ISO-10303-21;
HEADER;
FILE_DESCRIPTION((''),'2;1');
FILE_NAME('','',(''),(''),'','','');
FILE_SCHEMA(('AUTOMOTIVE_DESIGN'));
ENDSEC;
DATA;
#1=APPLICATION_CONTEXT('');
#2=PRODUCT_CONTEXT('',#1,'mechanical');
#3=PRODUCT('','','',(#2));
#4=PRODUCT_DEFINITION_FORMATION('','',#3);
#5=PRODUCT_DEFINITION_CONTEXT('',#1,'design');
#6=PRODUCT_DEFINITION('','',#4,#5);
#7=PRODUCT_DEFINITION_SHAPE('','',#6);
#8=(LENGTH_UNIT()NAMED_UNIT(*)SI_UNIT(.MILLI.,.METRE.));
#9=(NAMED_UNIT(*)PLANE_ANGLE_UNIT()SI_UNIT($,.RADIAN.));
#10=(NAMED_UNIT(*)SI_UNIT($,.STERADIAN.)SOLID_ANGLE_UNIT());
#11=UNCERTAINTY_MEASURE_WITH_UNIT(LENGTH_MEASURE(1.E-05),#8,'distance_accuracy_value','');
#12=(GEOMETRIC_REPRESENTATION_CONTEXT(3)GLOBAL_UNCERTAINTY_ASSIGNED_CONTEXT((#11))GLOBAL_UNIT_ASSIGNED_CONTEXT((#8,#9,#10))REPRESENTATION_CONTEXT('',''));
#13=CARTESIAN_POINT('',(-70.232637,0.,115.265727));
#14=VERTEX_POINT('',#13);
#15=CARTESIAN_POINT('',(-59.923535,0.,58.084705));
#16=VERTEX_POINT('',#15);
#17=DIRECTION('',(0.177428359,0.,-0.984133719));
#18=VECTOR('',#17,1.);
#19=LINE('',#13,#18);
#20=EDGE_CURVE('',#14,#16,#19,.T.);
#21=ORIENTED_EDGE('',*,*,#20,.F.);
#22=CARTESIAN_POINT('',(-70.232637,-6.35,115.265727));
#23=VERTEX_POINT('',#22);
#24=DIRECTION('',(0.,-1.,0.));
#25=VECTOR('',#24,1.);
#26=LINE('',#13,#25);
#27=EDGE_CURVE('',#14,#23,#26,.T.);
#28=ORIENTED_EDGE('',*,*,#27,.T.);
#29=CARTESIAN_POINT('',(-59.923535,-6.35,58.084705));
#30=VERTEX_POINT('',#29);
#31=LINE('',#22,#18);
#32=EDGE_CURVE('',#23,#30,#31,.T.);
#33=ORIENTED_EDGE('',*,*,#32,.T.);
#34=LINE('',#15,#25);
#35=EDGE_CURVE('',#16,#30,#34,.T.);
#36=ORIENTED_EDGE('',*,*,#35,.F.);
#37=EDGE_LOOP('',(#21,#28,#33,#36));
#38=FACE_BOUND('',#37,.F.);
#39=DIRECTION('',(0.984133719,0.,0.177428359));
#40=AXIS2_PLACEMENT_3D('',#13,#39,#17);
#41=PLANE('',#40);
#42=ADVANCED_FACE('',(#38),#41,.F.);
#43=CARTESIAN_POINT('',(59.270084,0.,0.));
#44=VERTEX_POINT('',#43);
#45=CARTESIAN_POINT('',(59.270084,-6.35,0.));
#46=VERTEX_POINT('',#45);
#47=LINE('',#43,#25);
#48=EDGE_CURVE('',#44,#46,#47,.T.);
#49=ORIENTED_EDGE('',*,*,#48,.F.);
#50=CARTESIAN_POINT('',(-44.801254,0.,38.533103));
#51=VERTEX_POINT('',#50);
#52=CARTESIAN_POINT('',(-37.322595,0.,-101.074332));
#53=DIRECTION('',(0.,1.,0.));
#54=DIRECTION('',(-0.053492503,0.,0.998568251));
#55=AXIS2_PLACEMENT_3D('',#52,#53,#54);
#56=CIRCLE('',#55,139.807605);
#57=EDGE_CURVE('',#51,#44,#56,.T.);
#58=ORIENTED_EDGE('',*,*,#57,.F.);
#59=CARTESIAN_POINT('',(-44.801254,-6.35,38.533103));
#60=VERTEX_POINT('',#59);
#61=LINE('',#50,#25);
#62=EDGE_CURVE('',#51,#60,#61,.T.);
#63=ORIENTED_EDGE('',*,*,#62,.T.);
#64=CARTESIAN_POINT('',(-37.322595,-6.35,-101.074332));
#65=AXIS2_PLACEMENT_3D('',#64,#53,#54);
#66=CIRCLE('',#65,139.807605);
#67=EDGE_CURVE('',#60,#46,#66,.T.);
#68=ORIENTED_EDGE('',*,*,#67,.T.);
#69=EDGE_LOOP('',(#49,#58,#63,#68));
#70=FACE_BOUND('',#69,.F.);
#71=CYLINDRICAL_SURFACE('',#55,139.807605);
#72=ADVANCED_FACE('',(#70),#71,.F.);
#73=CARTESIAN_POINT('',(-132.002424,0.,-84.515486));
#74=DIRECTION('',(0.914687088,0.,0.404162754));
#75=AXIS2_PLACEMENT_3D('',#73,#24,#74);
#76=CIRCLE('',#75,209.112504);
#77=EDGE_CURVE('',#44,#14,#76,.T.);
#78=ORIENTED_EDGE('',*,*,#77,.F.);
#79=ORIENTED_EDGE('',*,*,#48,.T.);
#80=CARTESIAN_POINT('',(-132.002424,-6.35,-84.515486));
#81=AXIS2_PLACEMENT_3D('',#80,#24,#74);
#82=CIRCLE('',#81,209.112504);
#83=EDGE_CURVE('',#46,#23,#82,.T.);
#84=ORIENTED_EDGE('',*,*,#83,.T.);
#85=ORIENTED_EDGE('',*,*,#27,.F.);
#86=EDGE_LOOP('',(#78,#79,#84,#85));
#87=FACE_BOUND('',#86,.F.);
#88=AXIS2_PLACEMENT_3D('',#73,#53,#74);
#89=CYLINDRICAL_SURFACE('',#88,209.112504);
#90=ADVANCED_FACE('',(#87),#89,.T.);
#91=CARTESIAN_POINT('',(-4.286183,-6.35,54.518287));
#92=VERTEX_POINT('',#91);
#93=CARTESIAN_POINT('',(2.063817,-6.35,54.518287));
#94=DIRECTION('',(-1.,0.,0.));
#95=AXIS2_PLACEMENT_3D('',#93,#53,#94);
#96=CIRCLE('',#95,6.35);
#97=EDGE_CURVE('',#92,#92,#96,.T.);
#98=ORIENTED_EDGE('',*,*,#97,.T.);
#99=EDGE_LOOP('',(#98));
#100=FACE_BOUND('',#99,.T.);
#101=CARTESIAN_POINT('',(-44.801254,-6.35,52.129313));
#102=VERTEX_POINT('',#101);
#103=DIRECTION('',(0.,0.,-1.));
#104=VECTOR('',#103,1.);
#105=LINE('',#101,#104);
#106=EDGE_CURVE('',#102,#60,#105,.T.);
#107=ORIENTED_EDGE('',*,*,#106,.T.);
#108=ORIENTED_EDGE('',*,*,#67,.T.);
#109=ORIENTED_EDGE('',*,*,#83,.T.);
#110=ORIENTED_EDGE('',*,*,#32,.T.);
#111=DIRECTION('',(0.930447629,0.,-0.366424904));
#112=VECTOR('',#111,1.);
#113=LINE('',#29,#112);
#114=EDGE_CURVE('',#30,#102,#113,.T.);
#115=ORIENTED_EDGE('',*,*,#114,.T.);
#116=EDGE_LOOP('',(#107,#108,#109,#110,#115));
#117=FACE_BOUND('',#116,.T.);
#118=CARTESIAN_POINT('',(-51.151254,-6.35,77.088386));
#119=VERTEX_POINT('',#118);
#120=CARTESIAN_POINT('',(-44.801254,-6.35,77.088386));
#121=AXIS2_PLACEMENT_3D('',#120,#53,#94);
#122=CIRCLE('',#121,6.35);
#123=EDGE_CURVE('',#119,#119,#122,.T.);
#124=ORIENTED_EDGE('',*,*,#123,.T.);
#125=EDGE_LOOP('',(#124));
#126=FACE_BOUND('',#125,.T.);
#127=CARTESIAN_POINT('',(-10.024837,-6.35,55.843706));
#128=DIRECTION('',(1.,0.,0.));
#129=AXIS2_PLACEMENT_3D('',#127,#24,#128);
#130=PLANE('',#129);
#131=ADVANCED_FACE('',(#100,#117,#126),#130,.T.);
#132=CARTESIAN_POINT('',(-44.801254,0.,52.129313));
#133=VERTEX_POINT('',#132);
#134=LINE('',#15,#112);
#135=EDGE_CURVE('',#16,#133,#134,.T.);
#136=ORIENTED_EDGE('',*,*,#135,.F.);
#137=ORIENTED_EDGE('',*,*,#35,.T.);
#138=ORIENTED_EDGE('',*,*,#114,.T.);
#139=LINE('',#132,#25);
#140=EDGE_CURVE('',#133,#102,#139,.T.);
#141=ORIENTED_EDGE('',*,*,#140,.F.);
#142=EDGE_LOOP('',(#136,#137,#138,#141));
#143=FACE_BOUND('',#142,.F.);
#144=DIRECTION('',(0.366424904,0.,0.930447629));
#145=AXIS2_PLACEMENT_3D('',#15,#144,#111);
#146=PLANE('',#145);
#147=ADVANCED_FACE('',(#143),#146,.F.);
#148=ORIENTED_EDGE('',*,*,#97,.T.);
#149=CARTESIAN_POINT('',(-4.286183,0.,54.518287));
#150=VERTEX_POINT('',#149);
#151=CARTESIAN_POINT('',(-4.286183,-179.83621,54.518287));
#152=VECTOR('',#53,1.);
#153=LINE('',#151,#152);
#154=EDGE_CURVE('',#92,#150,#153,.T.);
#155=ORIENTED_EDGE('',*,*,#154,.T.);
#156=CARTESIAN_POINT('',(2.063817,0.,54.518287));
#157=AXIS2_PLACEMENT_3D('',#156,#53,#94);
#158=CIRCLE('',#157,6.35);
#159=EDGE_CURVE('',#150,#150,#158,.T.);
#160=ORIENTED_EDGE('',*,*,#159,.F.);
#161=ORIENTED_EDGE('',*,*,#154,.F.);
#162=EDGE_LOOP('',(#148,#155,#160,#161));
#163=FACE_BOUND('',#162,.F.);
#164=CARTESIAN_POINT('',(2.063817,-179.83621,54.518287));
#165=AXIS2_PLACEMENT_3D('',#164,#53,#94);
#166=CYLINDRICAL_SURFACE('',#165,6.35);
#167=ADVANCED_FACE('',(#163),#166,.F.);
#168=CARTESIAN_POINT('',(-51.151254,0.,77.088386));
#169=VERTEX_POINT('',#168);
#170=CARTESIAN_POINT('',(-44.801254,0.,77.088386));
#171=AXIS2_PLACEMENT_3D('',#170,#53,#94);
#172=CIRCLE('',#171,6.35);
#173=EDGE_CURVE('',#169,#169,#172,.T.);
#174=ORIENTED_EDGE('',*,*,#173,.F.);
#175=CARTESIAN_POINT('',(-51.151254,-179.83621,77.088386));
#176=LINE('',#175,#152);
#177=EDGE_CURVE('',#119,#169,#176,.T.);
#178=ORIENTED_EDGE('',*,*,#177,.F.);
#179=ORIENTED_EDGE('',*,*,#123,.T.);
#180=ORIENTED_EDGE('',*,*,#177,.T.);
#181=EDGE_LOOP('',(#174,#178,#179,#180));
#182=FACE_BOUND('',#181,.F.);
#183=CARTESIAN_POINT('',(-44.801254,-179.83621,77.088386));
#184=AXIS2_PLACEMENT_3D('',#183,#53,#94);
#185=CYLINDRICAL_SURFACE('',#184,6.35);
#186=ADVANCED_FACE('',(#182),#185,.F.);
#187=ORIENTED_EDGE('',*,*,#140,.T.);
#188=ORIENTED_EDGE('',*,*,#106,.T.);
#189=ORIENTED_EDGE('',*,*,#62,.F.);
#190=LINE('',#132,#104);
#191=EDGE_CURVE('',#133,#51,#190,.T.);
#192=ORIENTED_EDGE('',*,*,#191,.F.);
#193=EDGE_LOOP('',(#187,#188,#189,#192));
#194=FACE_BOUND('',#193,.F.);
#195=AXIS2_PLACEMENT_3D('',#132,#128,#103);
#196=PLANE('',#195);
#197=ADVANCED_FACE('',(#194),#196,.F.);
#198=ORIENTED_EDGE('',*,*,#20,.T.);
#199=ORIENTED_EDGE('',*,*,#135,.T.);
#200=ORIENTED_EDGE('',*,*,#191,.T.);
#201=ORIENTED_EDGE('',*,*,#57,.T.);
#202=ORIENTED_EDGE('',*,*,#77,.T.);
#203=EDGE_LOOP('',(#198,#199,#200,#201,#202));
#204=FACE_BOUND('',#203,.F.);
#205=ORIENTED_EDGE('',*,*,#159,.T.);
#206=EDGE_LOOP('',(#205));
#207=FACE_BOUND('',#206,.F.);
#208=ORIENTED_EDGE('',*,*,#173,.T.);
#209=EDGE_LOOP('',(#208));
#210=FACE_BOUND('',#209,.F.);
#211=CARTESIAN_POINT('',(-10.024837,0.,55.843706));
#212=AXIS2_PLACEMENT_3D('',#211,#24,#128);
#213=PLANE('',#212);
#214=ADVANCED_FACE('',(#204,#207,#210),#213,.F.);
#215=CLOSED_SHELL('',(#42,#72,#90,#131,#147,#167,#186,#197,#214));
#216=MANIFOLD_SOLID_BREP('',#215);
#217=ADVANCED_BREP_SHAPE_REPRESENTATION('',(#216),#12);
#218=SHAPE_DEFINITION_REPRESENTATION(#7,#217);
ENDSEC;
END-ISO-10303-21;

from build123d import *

# Parameters (mm, degrees)
F1_DEPTH = 6.35
F3_D     = 12.7


with BuildPart() as f1:
    # F0 (on Front) → F1 (new body)
    with BuildSketch(Plane.XZ):
        with BuildLine():
            ThreePointArc((-44.801254, 38.533103), (11.221479, 30.034932), (59.270084, 0))
            ThreePointArc((59.270084, 0), (7.026881, 71.685961), (-70.232637, 115.265727))
            Line((-70.232637, 115.265727), (-59.923535, 58.084705))
            Line((-59.923535, 58.084705), (-44.801254, 52.129313))
            Line((-44.801254, 52.129313), (-44.801254, 38.533103))
        make_face()
    extrude(amount=F1_DEPTH)

    # F3 (through all)
    with Locations(Plane.XZ.offset(6.35)):
        with Locations((-44.801254, 77.088386), (2.063817, 54.518287)):
            Hole(F3_D / 2)


solid = f1.part
